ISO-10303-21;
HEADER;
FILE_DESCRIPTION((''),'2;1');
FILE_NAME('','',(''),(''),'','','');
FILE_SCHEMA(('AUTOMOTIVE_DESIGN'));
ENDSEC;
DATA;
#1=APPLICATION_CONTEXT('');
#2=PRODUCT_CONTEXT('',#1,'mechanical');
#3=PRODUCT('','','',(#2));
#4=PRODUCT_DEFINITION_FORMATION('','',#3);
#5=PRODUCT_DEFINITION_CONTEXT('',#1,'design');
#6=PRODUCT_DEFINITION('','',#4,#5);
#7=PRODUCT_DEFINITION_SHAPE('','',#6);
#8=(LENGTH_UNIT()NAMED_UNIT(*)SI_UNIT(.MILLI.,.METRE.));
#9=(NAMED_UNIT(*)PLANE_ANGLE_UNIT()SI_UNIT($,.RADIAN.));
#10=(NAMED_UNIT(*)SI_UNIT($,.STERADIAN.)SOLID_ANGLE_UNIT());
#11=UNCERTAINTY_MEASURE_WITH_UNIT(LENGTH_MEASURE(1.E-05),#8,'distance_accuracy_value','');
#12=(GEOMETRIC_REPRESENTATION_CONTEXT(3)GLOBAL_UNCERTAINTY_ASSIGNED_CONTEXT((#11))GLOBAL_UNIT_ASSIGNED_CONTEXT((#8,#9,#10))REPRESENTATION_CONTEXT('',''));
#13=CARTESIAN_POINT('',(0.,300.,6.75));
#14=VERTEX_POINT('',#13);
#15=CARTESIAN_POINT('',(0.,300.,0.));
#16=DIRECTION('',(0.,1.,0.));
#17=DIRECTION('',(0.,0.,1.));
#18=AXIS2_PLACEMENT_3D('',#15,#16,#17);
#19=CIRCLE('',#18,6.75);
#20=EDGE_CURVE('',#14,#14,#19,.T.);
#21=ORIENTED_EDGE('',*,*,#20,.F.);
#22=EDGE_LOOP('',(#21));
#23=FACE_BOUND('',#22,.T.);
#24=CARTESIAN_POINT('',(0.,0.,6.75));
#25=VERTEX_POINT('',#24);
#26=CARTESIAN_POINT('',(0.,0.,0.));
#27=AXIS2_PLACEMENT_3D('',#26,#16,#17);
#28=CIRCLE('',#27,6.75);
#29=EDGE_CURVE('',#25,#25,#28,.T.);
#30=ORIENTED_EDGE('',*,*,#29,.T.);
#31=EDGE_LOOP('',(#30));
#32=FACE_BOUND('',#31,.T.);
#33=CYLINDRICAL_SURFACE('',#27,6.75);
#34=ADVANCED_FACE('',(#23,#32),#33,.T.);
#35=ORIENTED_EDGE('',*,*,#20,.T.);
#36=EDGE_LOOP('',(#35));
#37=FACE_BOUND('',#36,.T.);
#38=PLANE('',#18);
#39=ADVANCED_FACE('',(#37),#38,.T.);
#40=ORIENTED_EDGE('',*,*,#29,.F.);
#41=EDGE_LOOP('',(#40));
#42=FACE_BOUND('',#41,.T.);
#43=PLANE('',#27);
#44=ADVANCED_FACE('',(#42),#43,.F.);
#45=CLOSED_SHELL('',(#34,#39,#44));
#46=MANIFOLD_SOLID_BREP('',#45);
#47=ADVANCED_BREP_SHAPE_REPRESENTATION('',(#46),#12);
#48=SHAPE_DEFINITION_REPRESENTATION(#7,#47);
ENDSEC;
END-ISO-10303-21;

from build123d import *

# Parameters (mm, degrees)
SKETCH2_R = 6.75


with BuildPart() as part:
    # Sweep1: sweep along a path in Sketch1
    with BuildLine(Plane.XY) as sweep1_path:
        Line((0, 0), (0, 300))
    # Sketch2 → Sweep1 (sweep)
    with BuildSketch(Plane(origin=(0, 0, 0), x_dir=(1, 0, 0), z_dir=(0, 1, 0))):
        Circle(SKETCH2_R)
    sweep(path=sweep1_path.line)


solid = part.part
